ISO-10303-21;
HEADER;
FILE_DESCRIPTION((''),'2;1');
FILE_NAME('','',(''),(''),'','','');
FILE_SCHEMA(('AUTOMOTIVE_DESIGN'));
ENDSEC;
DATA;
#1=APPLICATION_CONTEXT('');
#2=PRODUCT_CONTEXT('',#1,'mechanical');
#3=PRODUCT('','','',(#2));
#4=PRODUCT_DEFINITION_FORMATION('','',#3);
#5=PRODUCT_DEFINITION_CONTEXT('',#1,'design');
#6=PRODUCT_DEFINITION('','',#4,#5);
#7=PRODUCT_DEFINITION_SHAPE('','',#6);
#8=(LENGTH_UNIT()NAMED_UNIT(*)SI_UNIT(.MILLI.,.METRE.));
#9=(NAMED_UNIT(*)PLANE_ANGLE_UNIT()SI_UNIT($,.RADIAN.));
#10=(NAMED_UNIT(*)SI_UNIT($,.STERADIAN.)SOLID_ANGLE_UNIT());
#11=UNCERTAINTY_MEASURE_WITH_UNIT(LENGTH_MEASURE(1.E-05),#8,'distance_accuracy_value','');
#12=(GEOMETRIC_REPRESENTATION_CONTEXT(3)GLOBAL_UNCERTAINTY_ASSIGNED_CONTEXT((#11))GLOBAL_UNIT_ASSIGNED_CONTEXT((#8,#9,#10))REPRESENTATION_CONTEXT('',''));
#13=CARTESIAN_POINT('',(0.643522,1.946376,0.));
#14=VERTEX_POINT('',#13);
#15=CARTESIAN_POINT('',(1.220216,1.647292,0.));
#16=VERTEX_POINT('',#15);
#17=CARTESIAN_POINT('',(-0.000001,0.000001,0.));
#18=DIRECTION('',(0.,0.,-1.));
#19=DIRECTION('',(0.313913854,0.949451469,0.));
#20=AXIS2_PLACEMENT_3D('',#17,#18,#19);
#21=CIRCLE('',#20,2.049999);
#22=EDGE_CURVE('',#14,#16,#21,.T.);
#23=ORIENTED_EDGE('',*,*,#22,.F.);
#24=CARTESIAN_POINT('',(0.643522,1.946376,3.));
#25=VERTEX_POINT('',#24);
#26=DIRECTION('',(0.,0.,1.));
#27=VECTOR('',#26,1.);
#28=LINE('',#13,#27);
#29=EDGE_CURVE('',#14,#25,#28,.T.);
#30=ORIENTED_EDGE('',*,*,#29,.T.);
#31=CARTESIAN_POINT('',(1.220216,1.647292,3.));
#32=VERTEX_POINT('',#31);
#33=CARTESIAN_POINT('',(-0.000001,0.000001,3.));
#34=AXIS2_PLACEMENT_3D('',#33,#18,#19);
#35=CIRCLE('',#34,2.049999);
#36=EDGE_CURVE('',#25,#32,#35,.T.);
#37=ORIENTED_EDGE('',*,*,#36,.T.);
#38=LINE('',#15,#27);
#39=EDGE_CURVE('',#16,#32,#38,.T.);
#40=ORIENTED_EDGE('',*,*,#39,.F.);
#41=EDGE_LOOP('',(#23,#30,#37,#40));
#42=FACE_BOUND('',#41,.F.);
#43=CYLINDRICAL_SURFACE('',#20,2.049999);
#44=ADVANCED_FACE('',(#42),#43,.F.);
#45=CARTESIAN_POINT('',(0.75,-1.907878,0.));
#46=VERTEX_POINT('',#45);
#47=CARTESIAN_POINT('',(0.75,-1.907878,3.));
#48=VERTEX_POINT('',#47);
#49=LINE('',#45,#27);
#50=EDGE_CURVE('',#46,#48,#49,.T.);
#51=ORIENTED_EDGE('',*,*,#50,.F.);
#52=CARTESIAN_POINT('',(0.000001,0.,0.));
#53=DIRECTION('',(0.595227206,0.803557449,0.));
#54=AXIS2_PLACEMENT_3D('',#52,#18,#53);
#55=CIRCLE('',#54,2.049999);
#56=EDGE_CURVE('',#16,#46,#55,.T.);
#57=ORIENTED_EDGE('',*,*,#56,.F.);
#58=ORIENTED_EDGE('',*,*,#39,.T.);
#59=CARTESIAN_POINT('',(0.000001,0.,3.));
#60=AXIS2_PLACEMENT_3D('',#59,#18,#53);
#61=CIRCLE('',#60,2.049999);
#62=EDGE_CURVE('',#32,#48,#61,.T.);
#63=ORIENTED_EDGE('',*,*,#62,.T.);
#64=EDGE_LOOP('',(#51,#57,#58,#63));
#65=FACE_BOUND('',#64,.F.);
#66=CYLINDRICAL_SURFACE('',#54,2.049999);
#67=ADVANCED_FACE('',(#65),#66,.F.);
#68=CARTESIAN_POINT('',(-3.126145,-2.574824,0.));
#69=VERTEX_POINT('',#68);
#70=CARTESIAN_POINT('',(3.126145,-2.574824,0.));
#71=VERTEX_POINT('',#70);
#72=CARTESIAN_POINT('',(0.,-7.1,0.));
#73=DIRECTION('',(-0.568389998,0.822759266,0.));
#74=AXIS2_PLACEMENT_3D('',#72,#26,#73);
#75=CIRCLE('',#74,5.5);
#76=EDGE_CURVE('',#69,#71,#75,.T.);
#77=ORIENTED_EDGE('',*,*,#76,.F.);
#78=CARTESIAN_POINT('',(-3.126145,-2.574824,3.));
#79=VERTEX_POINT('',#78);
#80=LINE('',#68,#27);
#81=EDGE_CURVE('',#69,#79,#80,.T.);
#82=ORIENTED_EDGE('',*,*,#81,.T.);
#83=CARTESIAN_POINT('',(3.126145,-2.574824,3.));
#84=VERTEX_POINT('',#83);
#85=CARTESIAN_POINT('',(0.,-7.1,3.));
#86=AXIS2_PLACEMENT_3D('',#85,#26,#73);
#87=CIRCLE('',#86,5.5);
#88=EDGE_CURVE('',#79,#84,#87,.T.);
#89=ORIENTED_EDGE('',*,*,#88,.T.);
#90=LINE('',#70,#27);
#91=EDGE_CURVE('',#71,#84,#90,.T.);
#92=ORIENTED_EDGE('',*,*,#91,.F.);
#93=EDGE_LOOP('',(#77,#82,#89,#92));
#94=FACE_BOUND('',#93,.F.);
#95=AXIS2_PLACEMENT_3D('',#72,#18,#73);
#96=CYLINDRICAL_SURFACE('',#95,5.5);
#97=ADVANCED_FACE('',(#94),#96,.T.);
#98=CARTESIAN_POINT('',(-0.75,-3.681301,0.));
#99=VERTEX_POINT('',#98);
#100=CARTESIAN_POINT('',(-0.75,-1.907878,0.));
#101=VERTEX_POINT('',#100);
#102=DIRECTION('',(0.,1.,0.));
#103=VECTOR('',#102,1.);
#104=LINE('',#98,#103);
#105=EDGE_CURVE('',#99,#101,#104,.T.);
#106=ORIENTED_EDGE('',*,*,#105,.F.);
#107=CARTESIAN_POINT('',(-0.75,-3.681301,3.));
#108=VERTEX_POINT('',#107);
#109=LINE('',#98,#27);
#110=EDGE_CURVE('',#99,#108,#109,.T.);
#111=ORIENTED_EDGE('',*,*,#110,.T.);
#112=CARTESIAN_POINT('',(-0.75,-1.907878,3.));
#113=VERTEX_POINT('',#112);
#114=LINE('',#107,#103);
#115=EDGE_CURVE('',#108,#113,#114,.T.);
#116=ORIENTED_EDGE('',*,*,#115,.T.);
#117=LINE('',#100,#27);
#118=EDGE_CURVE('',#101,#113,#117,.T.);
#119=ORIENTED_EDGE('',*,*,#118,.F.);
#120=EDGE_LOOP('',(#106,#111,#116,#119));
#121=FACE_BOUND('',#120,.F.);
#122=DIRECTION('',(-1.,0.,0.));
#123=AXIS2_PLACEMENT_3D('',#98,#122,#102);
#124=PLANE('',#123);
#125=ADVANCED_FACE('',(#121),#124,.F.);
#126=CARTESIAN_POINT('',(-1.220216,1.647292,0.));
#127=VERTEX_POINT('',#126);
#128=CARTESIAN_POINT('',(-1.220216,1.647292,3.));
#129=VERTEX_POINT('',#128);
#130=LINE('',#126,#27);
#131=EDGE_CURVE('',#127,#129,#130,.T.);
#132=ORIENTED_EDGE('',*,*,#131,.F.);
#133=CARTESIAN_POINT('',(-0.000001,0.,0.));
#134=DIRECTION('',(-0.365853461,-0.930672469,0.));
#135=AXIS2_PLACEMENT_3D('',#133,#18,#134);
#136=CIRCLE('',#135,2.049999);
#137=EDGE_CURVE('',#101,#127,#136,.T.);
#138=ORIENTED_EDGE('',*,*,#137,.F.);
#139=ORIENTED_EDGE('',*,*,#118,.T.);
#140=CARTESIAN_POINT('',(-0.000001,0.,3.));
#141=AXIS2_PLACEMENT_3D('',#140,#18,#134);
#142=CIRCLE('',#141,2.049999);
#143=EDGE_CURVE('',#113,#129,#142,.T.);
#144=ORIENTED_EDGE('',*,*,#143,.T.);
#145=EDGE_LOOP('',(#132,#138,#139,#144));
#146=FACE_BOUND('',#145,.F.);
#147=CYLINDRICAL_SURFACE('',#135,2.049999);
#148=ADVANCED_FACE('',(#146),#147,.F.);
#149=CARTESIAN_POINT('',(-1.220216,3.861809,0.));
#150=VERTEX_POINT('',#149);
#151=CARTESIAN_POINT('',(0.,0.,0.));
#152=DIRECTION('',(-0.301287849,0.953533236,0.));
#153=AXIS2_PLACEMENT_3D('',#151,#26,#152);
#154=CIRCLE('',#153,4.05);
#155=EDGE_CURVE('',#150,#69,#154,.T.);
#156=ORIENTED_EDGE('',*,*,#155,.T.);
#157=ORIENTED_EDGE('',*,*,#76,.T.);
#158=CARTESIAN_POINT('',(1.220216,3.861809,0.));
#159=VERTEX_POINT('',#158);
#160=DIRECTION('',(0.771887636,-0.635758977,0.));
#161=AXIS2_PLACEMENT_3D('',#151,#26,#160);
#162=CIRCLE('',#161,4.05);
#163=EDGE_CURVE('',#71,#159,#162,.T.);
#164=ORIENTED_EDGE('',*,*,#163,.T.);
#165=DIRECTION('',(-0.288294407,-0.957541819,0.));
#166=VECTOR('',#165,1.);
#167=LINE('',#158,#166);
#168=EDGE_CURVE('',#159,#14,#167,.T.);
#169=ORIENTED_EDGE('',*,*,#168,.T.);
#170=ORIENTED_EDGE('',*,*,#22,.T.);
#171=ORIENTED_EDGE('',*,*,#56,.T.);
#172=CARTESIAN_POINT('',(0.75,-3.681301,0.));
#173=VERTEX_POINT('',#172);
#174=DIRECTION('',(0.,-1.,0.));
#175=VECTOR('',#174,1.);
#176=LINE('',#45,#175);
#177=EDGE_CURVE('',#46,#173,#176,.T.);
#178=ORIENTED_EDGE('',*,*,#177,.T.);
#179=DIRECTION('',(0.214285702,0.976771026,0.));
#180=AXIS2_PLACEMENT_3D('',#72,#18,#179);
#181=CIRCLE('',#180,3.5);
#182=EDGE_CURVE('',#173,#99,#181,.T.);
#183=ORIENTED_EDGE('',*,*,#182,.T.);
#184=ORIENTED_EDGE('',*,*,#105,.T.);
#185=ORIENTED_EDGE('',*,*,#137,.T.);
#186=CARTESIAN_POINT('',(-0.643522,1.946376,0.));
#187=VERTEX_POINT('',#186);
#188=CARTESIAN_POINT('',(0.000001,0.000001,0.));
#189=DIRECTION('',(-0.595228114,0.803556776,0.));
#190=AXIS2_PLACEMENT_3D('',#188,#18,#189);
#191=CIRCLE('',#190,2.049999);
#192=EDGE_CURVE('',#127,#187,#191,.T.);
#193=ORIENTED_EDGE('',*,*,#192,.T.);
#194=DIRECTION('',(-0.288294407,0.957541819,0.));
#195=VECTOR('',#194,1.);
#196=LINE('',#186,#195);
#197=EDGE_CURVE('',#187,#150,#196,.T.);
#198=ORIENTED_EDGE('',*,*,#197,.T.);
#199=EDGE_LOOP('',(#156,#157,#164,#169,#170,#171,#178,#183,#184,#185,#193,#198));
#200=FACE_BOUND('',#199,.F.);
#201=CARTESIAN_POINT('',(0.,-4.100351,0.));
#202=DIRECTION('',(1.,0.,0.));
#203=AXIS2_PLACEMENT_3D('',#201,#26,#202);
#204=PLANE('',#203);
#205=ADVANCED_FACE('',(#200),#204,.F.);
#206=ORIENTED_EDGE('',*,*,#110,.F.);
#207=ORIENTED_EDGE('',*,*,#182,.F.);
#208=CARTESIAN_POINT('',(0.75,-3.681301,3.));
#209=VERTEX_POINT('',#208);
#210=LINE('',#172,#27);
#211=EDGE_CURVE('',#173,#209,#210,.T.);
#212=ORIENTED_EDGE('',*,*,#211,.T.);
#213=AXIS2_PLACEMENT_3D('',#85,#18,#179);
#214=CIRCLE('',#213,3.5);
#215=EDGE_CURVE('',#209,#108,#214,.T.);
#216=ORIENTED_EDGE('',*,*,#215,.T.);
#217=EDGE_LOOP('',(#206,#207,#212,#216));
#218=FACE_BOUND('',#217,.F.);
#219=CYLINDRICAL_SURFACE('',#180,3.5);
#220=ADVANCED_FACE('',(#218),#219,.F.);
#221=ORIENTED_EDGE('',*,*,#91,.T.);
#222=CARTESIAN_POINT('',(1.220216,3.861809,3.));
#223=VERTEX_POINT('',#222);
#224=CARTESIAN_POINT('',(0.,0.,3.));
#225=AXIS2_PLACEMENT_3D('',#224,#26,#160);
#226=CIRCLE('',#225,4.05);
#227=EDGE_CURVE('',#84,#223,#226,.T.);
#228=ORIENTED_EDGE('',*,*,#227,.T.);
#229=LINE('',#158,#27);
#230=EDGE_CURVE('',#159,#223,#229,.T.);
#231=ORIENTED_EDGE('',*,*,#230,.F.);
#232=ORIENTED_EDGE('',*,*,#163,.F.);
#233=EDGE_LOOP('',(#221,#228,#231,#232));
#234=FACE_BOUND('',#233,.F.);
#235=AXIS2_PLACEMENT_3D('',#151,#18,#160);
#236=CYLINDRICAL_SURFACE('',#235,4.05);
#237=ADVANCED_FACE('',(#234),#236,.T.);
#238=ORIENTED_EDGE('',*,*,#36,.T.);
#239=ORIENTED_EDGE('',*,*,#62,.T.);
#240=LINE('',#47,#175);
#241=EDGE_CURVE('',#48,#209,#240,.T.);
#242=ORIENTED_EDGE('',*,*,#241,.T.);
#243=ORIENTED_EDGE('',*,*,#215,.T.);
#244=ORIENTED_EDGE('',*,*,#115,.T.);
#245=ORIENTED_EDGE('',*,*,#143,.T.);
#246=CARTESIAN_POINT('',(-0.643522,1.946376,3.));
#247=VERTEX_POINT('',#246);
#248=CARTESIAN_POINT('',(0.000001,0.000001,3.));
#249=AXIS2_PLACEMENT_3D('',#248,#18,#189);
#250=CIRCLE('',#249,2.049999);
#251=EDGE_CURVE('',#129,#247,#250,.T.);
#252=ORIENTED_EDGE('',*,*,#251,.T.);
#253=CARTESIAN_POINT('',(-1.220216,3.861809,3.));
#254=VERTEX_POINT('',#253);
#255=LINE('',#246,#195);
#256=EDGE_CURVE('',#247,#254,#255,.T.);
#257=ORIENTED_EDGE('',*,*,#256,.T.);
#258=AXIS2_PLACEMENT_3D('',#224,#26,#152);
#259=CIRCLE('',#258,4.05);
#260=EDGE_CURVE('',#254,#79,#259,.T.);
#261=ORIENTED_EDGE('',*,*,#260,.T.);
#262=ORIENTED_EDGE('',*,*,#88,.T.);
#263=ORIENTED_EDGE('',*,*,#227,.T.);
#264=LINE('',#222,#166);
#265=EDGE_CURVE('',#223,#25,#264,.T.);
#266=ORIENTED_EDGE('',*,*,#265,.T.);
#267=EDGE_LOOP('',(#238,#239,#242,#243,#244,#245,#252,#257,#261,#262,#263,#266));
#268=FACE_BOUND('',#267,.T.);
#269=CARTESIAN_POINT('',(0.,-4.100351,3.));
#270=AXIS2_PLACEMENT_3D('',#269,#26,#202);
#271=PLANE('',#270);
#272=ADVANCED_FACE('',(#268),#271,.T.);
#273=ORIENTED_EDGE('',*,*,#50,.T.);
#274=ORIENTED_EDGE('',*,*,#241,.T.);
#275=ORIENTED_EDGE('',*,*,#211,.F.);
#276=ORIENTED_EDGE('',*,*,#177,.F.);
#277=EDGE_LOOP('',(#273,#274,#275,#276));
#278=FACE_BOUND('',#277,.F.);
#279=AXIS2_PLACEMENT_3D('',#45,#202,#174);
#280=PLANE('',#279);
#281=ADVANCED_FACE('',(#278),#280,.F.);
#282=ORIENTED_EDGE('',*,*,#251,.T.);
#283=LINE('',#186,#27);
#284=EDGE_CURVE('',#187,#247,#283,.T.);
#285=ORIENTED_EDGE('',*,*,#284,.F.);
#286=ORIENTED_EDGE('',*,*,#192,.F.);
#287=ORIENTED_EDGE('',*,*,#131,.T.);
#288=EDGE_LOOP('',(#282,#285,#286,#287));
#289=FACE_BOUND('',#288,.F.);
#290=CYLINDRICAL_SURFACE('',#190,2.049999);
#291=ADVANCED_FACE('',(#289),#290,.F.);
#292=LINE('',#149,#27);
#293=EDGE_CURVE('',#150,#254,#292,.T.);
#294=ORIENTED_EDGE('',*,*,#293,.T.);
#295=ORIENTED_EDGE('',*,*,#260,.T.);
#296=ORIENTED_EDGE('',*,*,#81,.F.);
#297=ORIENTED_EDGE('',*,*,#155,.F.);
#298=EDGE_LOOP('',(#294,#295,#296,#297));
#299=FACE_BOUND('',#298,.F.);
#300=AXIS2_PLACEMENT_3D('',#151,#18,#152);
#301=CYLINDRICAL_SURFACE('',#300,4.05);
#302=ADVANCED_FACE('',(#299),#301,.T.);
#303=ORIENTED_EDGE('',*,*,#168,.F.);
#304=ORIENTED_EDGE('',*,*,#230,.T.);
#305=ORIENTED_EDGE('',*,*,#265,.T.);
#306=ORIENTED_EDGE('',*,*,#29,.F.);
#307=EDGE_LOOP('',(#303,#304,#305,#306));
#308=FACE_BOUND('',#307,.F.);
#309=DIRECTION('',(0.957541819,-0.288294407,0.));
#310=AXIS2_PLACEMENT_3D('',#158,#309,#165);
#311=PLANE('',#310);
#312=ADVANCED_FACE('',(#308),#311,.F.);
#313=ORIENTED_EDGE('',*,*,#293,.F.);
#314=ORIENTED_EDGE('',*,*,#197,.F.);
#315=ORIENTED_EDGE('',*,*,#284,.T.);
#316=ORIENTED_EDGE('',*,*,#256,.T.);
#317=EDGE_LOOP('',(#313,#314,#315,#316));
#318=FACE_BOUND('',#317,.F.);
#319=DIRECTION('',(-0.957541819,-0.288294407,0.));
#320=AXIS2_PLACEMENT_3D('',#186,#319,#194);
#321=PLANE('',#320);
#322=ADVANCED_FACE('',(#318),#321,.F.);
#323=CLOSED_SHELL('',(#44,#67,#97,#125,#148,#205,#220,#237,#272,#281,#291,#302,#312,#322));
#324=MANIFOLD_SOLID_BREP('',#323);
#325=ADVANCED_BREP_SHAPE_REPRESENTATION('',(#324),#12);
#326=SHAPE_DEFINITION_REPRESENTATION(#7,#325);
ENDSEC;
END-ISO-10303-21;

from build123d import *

# Parameters (mm, degrees)
F1_DEPTH = 3


with BuildPart() as f1:
    # F0 (on Top) → F1 (new body)
    with BuildSketch(Plane.XY):
        with BuildLine():
            ThreePointArc((-0.75, -1.907878), (-2.032301, -0.268798), (-1.220216, 1.647292))
            ThreePointArc((-1.220216, 1.647292), (-0.943792, 1.819823), (-0.643522, 1.946376))
            Line((-0.643522, 1.946376), (-1.220216, 3.861809))
            ThreePointArc((-1.220216, 3.861809), (-3.883333, 1.14988), (-3.126145, -2.574824))
            ThreePointArc((-3.126145, -2.574824), (0, -12.6), (3.126145, -2.574824))
            ThreePointArc((3.126145, -2.574824), (3.883333, 1.14988), (1.220216, 3.861809))
            Line((1.220216, 3.861809), (0.643522, 1.946376))
            ThreePointArc((0.643522, 1.946376), (0.943792, 1.819823), (1.220216, 1.647292))
            ThreePointArc((1.220216, 1.647292), (2.032301, -0.268798), (0.75, -1.907878))
            Line((0.75, -1.907878), (0.75, -3.197449))
            Line((0.75, -3.197449), (0.75, -3.681301))
            ThreePointArc((0.75, -3.681301), (0, -10.6), (-0.75, -3.681301))
            Line((-0.75, -3.681301), (-0.75, -3.197449))
            Line((-0.75, -3.197449), (-0.75, -1.907878))
        make_face()
    extrude(amount=F1_DEPTH)


solid = f1.part
